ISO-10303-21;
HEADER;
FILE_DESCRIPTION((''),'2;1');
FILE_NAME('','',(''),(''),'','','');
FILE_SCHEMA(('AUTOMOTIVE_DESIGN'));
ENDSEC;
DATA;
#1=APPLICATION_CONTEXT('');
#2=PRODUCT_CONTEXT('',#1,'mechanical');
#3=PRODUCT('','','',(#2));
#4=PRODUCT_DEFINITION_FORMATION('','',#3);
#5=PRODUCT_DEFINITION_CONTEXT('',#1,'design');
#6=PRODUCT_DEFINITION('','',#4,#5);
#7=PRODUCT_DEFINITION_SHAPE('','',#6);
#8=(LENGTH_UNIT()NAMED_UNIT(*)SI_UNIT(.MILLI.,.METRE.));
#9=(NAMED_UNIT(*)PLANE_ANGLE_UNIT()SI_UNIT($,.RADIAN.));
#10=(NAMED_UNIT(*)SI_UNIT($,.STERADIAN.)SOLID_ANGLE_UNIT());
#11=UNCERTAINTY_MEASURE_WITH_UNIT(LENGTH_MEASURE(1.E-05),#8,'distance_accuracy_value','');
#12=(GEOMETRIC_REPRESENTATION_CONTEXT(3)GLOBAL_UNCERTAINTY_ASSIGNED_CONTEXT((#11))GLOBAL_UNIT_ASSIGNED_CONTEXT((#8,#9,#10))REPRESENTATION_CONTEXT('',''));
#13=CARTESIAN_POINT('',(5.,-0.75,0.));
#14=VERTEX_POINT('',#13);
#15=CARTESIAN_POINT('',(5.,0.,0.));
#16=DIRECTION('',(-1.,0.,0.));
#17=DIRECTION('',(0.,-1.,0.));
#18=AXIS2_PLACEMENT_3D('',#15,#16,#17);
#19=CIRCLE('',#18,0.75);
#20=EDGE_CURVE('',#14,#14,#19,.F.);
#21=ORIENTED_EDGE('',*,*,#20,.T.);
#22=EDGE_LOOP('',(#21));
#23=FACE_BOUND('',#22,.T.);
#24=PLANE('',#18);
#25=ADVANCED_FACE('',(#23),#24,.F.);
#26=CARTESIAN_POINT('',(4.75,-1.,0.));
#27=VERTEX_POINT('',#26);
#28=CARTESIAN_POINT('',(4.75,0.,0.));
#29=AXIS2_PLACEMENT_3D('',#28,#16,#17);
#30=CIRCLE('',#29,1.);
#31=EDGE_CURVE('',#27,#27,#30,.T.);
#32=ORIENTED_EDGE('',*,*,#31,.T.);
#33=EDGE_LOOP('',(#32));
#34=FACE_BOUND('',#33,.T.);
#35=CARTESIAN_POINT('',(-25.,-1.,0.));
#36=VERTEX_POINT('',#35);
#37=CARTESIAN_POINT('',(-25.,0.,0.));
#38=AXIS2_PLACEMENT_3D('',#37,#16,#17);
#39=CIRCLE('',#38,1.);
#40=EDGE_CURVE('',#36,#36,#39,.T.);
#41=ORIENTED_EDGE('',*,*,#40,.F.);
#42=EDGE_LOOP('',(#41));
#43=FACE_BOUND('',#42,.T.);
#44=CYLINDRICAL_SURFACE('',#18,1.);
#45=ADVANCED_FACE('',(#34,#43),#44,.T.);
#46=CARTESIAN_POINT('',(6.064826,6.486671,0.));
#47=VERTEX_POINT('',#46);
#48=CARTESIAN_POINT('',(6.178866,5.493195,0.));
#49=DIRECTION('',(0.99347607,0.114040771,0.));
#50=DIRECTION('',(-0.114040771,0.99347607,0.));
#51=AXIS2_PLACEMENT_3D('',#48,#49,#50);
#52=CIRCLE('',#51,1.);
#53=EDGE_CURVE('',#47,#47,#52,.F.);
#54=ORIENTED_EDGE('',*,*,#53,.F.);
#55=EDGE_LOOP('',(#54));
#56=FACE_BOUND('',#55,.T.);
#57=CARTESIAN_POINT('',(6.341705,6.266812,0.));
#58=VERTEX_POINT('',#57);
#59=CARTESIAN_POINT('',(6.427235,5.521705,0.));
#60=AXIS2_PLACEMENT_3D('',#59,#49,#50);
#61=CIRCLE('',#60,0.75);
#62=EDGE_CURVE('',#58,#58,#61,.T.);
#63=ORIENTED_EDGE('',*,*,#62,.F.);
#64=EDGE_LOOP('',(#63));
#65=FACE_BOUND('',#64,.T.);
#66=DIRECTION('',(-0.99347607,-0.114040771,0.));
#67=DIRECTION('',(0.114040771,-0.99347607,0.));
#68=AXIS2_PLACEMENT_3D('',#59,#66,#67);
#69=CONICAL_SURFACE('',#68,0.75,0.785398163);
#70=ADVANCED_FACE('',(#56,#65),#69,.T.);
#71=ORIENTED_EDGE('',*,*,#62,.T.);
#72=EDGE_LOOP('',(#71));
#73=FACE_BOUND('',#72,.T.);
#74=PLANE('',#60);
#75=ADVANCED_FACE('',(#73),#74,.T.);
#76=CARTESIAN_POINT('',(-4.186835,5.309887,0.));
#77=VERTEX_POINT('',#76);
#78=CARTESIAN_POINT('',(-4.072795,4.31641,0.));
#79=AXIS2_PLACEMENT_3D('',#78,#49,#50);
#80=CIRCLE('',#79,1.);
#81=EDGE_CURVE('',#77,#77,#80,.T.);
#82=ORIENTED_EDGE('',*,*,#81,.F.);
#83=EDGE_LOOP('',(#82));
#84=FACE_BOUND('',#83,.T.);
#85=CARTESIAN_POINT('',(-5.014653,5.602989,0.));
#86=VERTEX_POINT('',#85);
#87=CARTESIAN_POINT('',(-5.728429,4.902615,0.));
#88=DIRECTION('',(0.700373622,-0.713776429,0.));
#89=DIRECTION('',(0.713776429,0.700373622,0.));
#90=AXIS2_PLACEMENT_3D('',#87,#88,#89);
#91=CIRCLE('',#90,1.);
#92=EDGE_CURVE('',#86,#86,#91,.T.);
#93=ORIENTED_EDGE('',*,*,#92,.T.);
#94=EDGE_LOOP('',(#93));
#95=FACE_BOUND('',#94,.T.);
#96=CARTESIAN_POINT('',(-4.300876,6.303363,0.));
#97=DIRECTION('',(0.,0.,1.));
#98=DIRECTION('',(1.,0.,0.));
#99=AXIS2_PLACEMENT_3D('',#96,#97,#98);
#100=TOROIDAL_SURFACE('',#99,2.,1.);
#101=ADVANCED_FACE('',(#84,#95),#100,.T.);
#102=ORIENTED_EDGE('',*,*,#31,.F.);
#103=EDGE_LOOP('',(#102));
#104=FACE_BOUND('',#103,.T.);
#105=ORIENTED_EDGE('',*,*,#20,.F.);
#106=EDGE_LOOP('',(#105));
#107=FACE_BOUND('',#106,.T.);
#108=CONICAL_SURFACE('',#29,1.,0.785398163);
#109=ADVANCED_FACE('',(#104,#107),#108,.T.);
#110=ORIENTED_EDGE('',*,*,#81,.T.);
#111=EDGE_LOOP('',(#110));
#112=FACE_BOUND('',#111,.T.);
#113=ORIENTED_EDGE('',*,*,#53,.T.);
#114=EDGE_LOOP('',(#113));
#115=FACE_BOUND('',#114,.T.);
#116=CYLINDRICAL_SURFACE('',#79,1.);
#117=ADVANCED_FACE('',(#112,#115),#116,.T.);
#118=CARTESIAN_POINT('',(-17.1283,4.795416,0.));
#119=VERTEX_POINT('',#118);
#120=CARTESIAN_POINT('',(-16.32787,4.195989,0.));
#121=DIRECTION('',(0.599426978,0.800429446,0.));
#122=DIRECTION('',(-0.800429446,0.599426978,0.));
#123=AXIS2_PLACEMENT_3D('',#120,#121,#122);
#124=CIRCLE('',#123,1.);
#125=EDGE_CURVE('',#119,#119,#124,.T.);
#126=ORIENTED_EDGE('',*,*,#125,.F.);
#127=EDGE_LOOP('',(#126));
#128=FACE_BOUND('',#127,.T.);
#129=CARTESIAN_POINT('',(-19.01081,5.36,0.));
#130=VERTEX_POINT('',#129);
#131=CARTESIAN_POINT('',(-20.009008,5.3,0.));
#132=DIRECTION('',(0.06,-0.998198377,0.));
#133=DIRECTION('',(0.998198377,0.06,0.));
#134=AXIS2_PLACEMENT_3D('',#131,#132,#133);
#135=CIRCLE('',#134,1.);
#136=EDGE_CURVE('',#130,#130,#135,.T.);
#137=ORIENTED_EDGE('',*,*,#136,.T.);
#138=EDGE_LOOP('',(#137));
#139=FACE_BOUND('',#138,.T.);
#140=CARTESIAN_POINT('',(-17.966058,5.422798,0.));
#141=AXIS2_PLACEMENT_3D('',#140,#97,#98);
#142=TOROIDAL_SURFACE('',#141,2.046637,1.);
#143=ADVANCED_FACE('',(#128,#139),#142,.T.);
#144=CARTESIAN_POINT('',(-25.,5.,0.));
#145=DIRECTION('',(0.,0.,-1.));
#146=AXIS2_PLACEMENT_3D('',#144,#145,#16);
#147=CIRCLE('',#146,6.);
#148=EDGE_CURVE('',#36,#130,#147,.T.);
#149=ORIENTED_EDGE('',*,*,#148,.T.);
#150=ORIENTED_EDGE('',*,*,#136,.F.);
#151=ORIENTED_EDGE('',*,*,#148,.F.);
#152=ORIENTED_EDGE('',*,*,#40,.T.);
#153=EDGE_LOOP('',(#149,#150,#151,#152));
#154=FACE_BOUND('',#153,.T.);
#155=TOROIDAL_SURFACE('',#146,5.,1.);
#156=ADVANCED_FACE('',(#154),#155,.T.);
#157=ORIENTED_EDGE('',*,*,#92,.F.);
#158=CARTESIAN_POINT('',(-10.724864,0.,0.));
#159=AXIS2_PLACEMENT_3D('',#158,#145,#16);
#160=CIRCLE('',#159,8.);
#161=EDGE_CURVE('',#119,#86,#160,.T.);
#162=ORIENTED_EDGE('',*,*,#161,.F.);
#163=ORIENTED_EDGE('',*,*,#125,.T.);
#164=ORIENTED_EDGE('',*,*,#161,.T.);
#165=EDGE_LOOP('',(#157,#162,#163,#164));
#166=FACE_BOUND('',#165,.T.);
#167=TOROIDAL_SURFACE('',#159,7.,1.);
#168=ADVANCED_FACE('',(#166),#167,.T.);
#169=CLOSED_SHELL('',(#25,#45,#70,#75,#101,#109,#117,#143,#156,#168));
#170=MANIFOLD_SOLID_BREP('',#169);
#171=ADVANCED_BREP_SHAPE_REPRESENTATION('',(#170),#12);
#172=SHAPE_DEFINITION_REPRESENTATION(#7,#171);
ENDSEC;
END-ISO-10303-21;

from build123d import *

# Parameters (mm, degrees)
SWEEP1_PROFILE_R = 1
CHAMFER1_SIZE    = 0.25


with BuildPart() as part:
    # Sweep1: sweep along a path in Sketch1
    with BuildLine(Plane.XY) as sweep1_path:
        Line((5, 0), (-25, 0))
        ThreePointArc((-25, 0), (-28.640054945, 8.4278273), (-20.009008115, 5.3))
        ThreePointArc((-20.009008115, 5.3), (-18.553993915, 3.462427202), (-16.327870059, 4.195988847))
        ThreePointArc((-16.327870059, 4.195988847), (-11.190495107, 6.984496232), (-5.728428937, 4.902615352))
        ThreePointArc((-5.728428937, 4.902615352), (-4.968402787, 4.418048803), (-4.072794538, 4.316410454))
        Line((-4.072794538, 4.316410454), (6.427235429, 5.521705225))
    # Sweep1 profile (on start of the path) → Sweep1 (sweep)
    with BuildSketch(Plane(origin=(5, 0, 0), x_dir=(0, -1, 0), z_dir=(-1, 0, 0))):
        Circle(SWEEP1_PROFILE_R)
    sweep(path=sweep1_path.line)

    # Chamfer1
    chamfer1_edges = [part.edges().sort_by_distance(p)[0] for p in [
        (6.5412762, 4.528229155, 0),
        (5, 1, 0),
    ]]
    chamfer(chamfer1_edges, length=CHAMFER1_SIZE)


solid = part.part
